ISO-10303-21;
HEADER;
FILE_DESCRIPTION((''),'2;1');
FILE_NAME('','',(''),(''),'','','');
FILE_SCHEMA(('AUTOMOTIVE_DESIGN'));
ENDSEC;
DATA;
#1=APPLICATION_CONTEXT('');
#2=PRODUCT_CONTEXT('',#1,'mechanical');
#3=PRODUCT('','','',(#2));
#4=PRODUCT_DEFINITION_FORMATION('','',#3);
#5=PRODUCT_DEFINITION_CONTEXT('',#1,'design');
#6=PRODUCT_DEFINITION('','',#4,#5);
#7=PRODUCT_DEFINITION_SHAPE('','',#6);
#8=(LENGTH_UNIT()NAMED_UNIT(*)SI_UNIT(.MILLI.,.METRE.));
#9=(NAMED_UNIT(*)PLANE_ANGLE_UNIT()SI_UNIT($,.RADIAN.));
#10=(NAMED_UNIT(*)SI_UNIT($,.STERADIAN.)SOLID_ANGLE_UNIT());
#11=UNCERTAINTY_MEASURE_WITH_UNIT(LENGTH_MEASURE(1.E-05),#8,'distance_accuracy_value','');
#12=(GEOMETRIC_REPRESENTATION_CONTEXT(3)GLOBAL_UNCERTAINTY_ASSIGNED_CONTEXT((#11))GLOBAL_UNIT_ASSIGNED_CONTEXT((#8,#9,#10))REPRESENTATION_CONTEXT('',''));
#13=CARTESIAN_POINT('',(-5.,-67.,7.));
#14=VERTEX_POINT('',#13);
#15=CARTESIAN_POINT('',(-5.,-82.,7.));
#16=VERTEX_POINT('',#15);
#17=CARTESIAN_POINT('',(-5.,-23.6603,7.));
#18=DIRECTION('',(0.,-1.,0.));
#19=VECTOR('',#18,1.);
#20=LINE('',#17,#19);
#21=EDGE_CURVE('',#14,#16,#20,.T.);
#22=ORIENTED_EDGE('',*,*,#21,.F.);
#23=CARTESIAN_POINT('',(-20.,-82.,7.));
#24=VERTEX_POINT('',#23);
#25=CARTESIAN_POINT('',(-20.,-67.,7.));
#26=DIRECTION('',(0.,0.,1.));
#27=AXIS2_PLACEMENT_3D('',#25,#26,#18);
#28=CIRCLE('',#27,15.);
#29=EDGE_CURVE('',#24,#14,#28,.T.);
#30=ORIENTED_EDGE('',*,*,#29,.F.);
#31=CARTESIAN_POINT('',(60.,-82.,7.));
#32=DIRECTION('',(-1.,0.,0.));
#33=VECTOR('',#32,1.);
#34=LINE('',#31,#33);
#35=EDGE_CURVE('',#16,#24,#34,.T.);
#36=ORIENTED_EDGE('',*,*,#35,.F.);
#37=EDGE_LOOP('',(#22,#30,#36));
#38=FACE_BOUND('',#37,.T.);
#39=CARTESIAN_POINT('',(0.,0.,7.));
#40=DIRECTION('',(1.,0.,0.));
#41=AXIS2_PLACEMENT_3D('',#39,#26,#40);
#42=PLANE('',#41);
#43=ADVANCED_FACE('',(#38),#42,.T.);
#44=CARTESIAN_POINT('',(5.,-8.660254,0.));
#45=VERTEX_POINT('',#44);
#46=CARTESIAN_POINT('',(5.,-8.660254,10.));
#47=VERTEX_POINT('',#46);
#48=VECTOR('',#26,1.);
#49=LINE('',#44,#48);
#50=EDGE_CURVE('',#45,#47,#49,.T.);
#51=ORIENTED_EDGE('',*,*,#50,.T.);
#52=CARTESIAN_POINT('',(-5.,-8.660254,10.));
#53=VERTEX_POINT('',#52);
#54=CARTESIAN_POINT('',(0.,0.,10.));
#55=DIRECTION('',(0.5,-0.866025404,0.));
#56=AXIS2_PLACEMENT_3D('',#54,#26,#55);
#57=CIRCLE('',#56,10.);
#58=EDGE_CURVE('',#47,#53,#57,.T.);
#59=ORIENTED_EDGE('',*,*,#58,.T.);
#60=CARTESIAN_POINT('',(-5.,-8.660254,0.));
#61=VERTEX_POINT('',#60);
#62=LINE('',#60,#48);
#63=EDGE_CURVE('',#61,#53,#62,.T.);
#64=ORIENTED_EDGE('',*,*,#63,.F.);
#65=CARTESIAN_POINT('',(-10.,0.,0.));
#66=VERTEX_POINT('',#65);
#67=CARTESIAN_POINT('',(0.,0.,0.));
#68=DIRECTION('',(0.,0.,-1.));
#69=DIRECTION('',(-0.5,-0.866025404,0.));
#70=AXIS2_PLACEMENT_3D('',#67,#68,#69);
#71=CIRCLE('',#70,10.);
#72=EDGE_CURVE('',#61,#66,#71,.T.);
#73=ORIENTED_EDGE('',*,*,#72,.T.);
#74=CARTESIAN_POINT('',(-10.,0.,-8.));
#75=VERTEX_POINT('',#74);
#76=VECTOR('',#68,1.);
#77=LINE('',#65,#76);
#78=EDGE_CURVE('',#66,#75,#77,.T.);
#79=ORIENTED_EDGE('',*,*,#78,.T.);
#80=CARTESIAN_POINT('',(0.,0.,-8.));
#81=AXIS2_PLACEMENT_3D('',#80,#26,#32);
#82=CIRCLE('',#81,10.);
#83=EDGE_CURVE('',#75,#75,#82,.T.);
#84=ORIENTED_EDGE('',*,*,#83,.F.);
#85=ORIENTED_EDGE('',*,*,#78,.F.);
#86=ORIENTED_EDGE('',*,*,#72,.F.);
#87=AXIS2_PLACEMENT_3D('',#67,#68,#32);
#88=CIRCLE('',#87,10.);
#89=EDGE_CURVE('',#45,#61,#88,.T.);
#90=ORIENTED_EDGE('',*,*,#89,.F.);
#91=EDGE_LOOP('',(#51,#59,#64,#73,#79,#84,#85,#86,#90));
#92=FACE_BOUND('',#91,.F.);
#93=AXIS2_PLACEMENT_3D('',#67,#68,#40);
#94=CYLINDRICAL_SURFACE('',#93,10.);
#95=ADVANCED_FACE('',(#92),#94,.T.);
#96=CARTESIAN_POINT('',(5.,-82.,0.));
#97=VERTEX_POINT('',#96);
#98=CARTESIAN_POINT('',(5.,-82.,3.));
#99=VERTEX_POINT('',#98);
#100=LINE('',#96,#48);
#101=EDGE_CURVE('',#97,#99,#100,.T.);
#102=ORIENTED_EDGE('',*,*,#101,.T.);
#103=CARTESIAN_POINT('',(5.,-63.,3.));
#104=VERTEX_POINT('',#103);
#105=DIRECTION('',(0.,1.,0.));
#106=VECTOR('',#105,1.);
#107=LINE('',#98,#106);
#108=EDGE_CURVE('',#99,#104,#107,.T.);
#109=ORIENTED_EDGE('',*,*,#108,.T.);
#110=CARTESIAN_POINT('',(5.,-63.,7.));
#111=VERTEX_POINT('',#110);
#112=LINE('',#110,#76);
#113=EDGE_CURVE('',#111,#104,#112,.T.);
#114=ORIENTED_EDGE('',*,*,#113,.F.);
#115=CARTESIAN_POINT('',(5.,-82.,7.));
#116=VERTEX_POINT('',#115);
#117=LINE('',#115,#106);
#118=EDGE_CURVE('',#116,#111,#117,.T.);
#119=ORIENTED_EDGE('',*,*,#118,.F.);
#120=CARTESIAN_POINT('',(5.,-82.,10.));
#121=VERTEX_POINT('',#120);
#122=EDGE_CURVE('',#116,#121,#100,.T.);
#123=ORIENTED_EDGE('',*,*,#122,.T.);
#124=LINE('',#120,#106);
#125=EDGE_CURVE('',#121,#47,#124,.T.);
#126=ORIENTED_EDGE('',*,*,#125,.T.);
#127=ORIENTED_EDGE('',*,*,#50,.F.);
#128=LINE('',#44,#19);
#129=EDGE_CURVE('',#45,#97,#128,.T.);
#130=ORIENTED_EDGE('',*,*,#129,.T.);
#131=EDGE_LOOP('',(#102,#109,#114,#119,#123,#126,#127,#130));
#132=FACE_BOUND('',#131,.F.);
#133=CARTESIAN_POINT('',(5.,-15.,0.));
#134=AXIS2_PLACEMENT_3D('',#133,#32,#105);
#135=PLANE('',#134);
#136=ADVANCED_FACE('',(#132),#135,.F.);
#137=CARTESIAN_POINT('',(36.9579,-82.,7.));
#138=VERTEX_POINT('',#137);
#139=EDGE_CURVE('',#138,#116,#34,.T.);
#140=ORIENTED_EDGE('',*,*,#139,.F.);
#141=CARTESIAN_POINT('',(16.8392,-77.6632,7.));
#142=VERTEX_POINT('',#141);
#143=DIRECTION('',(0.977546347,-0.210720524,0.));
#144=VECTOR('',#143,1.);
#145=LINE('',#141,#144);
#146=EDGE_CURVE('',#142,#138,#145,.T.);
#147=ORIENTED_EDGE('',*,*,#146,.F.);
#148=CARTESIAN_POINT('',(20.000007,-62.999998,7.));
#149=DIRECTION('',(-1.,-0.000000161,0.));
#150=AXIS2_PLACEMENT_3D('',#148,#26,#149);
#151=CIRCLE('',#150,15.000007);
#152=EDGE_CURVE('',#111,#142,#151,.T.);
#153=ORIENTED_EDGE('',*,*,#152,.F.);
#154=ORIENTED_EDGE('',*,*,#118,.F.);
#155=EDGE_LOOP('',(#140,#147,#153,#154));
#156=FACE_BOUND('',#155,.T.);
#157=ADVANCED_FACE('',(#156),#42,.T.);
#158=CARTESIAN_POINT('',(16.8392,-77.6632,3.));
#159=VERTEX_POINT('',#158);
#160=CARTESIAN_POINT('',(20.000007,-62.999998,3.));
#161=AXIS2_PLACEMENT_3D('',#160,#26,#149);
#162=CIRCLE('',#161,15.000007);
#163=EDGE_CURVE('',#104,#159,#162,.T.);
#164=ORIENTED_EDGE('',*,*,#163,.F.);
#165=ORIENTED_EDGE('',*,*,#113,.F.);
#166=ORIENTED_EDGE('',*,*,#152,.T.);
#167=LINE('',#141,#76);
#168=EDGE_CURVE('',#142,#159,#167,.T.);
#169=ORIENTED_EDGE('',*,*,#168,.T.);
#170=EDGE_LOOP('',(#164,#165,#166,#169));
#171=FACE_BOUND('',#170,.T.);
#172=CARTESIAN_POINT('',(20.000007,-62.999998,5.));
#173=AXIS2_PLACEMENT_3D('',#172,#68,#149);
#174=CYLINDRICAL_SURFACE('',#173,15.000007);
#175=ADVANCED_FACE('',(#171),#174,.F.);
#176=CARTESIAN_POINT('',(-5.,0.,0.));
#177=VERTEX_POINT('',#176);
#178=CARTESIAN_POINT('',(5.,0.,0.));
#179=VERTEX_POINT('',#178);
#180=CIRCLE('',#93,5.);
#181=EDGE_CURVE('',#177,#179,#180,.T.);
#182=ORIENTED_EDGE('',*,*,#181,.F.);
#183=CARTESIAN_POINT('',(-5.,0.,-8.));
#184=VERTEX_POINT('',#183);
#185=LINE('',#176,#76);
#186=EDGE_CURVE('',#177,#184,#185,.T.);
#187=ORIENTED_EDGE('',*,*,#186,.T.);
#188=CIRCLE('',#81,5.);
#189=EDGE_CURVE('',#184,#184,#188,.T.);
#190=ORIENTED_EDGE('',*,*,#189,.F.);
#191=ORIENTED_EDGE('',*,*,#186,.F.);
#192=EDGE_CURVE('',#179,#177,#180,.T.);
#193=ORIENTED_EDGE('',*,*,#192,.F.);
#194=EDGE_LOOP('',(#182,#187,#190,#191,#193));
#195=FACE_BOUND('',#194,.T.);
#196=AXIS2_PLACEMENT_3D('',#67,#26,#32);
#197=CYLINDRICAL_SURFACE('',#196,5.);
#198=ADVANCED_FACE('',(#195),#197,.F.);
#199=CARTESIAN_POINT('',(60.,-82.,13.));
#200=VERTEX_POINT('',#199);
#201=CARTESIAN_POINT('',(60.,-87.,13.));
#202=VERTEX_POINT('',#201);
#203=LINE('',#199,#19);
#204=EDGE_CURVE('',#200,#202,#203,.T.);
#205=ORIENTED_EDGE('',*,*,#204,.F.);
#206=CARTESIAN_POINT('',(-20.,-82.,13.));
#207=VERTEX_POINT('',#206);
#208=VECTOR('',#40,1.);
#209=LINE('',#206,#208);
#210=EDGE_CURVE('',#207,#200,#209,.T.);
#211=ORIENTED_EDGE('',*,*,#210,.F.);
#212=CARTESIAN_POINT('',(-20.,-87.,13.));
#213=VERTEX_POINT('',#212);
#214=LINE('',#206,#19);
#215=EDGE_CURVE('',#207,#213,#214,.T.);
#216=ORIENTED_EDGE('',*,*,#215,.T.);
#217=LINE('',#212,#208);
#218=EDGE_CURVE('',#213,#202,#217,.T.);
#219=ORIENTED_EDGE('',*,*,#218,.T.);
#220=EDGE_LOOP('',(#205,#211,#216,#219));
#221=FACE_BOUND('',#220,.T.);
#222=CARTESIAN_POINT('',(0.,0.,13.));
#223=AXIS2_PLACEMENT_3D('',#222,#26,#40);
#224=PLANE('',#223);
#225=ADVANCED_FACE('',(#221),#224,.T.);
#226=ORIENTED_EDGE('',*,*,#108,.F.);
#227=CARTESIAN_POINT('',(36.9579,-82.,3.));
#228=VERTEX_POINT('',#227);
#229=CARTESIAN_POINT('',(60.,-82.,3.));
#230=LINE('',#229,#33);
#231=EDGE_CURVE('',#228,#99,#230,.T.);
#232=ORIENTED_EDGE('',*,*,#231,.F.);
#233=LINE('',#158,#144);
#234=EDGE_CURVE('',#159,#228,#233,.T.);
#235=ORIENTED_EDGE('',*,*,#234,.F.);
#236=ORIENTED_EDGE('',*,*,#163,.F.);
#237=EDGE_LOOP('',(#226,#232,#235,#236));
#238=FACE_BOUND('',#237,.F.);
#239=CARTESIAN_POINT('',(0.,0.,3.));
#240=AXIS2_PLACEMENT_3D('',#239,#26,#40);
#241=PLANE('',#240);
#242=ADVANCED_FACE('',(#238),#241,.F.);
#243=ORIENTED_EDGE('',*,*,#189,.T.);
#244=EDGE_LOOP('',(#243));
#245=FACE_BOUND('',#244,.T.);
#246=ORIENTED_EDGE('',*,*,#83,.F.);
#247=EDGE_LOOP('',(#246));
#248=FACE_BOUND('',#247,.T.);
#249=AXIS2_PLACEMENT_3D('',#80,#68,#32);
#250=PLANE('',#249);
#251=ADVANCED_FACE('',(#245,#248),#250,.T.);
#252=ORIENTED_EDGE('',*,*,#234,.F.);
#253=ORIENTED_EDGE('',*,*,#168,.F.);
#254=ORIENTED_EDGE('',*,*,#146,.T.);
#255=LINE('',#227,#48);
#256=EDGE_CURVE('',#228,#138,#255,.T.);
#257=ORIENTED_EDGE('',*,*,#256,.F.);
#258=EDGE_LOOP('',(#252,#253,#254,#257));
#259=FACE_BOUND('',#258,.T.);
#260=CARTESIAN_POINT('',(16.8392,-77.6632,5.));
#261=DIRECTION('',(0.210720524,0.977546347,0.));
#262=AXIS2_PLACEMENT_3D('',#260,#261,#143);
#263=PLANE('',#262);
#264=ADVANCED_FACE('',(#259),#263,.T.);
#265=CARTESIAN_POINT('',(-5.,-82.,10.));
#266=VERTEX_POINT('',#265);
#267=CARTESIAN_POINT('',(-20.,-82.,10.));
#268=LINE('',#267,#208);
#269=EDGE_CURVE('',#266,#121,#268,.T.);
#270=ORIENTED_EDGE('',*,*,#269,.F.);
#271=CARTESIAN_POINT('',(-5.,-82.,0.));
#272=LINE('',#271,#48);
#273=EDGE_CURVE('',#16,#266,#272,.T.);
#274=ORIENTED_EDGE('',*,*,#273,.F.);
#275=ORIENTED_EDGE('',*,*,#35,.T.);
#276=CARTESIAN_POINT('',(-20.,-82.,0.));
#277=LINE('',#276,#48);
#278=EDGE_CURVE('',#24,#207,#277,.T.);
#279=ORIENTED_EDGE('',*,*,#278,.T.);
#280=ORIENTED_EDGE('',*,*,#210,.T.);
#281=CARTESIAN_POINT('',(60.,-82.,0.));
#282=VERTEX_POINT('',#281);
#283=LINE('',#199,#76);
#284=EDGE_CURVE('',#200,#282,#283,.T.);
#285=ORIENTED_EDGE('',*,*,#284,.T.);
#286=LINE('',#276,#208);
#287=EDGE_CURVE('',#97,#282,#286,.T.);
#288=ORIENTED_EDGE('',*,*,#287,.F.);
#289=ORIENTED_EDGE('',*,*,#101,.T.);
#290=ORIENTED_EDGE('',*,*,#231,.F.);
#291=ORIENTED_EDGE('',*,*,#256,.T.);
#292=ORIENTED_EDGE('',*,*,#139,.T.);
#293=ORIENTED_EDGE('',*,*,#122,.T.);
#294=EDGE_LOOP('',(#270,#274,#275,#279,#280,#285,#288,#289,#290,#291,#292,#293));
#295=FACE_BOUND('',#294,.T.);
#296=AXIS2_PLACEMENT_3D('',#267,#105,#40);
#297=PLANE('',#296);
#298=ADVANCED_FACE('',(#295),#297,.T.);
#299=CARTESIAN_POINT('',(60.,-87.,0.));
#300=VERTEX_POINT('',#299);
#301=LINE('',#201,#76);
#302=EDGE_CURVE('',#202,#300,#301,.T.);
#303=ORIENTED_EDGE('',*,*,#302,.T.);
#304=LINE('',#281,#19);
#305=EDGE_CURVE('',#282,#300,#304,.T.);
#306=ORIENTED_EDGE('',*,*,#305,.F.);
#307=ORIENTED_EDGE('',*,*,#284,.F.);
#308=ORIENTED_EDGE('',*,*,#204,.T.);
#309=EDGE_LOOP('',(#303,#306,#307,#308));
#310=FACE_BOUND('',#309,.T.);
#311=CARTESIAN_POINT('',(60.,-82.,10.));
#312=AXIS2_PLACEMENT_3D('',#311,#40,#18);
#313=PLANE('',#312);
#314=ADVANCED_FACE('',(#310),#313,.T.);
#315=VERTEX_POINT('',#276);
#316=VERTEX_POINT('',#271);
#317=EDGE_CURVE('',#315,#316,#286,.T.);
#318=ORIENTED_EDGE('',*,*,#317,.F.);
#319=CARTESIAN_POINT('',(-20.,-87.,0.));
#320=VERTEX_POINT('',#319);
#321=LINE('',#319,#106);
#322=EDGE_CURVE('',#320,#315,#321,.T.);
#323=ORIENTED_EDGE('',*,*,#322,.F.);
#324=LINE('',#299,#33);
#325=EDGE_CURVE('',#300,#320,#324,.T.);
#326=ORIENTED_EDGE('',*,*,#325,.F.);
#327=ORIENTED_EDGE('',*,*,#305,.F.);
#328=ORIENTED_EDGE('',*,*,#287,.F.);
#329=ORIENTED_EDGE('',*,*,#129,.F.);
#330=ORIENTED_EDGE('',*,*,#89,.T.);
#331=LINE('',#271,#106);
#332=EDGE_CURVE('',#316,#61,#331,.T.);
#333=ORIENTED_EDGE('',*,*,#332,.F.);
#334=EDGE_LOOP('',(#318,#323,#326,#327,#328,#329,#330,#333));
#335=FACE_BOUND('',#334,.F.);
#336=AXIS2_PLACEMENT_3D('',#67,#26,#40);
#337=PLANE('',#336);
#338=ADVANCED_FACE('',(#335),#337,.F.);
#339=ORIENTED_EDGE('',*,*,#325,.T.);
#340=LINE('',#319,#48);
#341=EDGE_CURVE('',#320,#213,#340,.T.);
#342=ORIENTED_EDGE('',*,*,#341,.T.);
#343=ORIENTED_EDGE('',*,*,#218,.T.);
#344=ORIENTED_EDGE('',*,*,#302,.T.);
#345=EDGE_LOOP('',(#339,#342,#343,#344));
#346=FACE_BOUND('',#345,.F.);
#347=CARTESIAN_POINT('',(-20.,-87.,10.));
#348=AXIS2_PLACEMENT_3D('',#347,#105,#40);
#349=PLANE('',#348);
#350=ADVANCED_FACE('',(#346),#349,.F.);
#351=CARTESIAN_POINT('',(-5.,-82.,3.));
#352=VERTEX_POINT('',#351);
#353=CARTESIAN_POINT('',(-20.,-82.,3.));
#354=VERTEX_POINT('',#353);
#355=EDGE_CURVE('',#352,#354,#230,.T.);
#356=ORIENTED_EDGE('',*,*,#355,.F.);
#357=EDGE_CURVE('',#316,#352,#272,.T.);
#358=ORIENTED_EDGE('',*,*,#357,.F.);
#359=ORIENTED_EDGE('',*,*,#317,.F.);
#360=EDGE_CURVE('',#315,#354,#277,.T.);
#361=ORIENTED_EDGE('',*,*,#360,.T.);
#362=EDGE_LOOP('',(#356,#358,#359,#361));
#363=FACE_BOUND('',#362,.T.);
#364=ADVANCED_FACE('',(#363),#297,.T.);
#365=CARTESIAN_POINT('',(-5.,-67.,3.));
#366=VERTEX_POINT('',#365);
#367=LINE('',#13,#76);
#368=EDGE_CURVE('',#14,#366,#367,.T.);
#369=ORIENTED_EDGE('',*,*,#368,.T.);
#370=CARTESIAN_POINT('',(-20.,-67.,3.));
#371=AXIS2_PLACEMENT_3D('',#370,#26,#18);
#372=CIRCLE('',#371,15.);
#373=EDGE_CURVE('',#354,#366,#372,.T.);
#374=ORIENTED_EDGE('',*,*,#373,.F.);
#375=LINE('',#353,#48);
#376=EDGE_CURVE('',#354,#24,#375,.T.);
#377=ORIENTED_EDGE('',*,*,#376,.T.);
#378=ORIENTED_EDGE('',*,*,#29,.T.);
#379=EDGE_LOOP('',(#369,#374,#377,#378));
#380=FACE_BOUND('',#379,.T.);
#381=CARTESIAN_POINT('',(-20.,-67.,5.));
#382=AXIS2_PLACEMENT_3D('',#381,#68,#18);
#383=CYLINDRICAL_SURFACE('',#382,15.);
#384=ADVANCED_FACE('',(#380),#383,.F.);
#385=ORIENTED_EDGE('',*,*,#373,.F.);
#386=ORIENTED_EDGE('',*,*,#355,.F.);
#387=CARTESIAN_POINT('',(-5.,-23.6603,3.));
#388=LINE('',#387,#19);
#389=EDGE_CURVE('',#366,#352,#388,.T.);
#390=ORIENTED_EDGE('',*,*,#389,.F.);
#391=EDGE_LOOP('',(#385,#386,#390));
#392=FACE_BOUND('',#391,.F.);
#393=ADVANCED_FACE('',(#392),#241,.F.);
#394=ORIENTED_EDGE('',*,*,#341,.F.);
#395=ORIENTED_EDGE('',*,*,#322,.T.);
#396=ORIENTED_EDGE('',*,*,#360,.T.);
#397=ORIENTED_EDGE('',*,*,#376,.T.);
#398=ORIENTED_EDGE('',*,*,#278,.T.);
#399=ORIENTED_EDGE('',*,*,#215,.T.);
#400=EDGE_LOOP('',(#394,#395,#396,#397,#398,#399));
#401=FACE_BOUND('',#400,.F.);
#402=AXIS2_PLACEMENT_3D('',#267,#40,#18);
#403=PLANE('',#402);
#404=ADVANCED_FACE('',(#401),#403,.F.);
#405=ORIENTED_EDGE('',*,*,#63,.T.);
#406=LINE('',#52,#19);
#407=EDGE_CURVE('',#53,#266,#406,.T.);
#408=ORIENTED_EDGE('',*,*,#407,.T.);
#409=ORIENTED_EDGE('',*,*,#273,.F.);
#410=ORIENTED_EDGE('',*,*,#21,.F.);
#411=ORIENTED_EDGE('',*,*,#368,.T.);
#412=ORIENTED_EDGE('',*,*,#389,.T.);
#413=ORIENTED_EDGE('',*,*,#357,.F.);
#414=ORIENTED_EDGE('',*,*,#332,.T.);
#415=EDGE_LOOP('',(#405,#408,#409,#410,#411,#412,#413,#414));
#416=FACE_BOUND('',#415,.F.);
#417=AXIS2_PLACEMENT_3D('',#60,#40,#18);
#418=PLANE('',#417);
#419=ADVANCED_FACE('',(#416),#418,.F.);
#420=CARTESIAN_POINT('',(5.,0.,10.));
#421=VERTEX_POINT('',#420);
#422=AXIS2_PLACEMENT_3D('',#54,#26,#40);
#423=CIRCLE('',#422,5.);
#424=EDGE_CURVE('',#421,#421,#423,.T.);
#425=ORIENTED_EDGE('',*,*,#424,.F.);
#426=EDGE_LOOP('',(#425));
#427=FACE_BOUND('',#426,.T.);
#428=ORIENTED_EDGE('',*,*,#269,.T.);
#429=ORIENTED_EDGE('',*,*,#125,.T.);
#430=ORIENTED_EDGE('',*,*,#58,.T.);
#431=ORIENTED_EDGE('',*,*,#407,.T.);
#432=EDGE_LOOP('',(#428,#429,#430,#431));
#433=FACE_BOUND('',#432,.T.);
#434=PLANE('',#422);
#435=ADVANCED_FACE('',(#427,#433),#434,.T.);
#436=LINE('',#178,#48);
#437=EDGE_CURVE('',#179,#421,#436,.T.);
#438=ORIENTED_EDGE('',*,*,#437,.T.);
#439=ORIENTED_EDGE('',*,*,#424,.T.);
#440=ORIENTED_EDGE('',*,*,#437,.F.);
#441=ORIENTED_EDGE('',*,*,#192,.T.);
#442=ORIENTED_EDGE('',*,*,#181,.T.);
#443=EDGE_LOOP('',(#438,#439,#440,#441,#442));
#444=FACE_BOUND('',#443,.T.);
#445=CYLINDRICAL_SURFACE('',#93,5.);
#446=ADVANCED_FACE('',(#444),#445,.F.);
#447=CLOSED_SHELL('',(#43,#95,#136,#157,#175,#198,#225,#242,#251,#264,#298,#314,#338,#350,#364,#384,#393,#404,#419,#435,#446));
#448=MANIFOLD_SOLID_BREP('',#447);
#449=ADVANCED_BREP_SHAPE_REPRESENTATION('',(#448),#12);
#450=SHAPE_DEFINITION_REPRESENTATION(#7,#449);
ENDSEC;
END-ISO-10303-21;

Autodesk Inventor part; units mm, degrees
ref_plane "YZ Plane" through (0, 0, 0) normal (1, 0, 0) x (0, 1, 0)
ref_plane "XZ Plane" through (0, 0, 0) normal (0, 1, 0) x (-1, 0, 0)
sketch "Sketch1" plane through (0, 0, 0) normal (0, 0, 1) x (1, 0, 0)
  line L0 (0, 0) -> (0, -15) construction
  line L1 (-5, 0) -> (-5, -15)
  line L2 (5, -15) -> (5, 0)
  arc A0 (5, 0) -> (-5, 0) centre (0, 0) ccw
  arc A1 (-5, -15) -> (5, -15) centre (0, -15) ccw
  line L3 (0, 0) -> (0, -15) construction
  line L4 (-10, 0) -> (-10, -15)
  line L5 (10, -15) -> (10, 0)
  arc A2 (10, 0) -> (-10, 0) centre (0, 0) ccw
  line L6 (0, -15) -> (0, -87) construction
  line L7 (5, -23.6603) -> (5, -82)
  line L8 (-5, -23.6603) -> (-5, -82)
  arc A3 (-10, -15) -> (-5, -23.6603) centre (0, -15) ccw
  arc A4 (5, -23.6603) -> (10, -15) centre (0, -15) ccw
  line L9 (-20, -82) -> (60, -82)
  line L10 (60, -82) -> (60, -87)
  line L11 (60, -87) -> (-20, -87)
  line L12 (-20, -87) -> (-20, -82)
  circle A5 centre (0, 0) radius 5
  circle A6 centre (0, 0) radius 10
  line L13 (-5, -23.6603) -> (-5, 8.6603)
  line L14 (5, -23.6603) -> (5, 8.6603)
  point P0 (0, -7.5)
  point P1 (0, -7.5)
  point P2 (5, 0)
  point P3 (5, -8.6603)
  point P4 (-5, -8.6603)
  dimension "d0" = 15
  dimension "d1" = 5
  dimension "d2" = 10
  dimension "d3" = 72
  dimension "d4" = 5
  dimension "d5" = 5
  dimension "d7" = 80
  dimension "d8" = 5
  dimension "d24" = 15
extrude "Extrusion1" add sketch "Sketch1" along normal blind 10 contours A5 L2 A6 L1 | L13 A2 L14 A0 | L1 A6 A2 L13 | A6 L2 A1 L1 | L14 A2 A6 L2 | A1 L14 L7 L9 L8 L13 | L9 L10 L11 L12
sketch "Sketch2" plane through (0, 0, 0) normal (0, 0, -1) x (-1, 0, 0)
  arc A0 (-5, -15) -> (5, -15) centre (0, -15) ccw projected
  line L0 (0, 0) -> (0, -15) construction
  line L1 (-10, 0) -> (-10, -15)
  line L2 (10, -15) -> (10, 0)
  arc A1 (10, 0) -> (-10, 0) centre (0, 0) ccw
  arc A2 (-10, -15) -> (10, -15) centre (0, -15) ccw
  line L3 (0, 0) -> (0, -15) construction
  line L4 (-5, 0) -> (-5, -15)
  line L5 (5, -15) -> (5, 0)
  arc A3 (5, 0) -> (-5, 0) centre (0, 0) ccw
  arc A4 (-5, -15) -> (5, -15) centre (0, -15) ccw
  circle A5 centre (0, 0) radius 10
  circle A6 centre (0, 0) radius 5
  point P0 (0, -7.5)
  point P1 (0, -7.5)
  point P2 (-5, -15)
  dimension "d11" = 10
  dimension "d12" = 5
extrude "Extrusion2" add sketch "Sketch2" along normal blind 8 contours A5 A1 L5 A3 L4 | L4 A6 L5 A5
sketch "Sketch3" plane through (0, 0, 10) normal (0, 0, 1) x (1, 0, 0)
  line L0 (-20, -82) -> (-20, -87) projected
  line L1 (-20, -87) -> (60, -87) projected
  line L2 (-20, -82) -> (60, -82)
  line L3 (60, -82) -> (60, -87)
  line L4 (60, -87) -> (-20, -87)
  line L5 (-20, -87) -> (-20, -82)
  point P0 (0, 0)
  dimension "d23" = 80
extrude "Extrusion3" add sketch "Sketch3" along normal blind 3
ref_plane "Work Plane1" through (0, 0, 5) normal (0, 0, 1) x (1, 0, 0)
sketch "Sketch4" plane through (0, 0, 5) normal (0, 0, 1) x (1, 0, 0)
  arc A0 (-20, -82) -> (-5, -67) centre (-20, -67) ccw
  line L0 (-5, -23.6603) -> (-5, -82) projected
  line L1 (60, -82) -> (-20, -82) projected
  line L2 (-5, -67) -> (-20, -67) construction
  line L3 (-20, -67) -> (-20, -82) construction
  line L4 (-20, -82) -> (-5, -82)
  line L5 (-5, -82) -> (-5, -67)
  arc A1 (5, -63) -> (16.8392, -77.6632) centre (20, -63) ccw
  line L6 (5, -82) -> (5, -23.6603) projected
  line L7 (16.8392, -77.6632) -> (36.9579, -82)
  line L8 (5, -82) -> (5, -63)
  point P0 (0, 0)
  point P1 (-20, -82)
  dimension "d17" = 15
  dimension "d18" = 30
  dimension "d20" = 19
extrude "Extrusion4" add sketch "Sketch4" along normal mid plane 4
equation "\"d9\" = d2"
properties part number "Stand" material "Steel, Mild"
